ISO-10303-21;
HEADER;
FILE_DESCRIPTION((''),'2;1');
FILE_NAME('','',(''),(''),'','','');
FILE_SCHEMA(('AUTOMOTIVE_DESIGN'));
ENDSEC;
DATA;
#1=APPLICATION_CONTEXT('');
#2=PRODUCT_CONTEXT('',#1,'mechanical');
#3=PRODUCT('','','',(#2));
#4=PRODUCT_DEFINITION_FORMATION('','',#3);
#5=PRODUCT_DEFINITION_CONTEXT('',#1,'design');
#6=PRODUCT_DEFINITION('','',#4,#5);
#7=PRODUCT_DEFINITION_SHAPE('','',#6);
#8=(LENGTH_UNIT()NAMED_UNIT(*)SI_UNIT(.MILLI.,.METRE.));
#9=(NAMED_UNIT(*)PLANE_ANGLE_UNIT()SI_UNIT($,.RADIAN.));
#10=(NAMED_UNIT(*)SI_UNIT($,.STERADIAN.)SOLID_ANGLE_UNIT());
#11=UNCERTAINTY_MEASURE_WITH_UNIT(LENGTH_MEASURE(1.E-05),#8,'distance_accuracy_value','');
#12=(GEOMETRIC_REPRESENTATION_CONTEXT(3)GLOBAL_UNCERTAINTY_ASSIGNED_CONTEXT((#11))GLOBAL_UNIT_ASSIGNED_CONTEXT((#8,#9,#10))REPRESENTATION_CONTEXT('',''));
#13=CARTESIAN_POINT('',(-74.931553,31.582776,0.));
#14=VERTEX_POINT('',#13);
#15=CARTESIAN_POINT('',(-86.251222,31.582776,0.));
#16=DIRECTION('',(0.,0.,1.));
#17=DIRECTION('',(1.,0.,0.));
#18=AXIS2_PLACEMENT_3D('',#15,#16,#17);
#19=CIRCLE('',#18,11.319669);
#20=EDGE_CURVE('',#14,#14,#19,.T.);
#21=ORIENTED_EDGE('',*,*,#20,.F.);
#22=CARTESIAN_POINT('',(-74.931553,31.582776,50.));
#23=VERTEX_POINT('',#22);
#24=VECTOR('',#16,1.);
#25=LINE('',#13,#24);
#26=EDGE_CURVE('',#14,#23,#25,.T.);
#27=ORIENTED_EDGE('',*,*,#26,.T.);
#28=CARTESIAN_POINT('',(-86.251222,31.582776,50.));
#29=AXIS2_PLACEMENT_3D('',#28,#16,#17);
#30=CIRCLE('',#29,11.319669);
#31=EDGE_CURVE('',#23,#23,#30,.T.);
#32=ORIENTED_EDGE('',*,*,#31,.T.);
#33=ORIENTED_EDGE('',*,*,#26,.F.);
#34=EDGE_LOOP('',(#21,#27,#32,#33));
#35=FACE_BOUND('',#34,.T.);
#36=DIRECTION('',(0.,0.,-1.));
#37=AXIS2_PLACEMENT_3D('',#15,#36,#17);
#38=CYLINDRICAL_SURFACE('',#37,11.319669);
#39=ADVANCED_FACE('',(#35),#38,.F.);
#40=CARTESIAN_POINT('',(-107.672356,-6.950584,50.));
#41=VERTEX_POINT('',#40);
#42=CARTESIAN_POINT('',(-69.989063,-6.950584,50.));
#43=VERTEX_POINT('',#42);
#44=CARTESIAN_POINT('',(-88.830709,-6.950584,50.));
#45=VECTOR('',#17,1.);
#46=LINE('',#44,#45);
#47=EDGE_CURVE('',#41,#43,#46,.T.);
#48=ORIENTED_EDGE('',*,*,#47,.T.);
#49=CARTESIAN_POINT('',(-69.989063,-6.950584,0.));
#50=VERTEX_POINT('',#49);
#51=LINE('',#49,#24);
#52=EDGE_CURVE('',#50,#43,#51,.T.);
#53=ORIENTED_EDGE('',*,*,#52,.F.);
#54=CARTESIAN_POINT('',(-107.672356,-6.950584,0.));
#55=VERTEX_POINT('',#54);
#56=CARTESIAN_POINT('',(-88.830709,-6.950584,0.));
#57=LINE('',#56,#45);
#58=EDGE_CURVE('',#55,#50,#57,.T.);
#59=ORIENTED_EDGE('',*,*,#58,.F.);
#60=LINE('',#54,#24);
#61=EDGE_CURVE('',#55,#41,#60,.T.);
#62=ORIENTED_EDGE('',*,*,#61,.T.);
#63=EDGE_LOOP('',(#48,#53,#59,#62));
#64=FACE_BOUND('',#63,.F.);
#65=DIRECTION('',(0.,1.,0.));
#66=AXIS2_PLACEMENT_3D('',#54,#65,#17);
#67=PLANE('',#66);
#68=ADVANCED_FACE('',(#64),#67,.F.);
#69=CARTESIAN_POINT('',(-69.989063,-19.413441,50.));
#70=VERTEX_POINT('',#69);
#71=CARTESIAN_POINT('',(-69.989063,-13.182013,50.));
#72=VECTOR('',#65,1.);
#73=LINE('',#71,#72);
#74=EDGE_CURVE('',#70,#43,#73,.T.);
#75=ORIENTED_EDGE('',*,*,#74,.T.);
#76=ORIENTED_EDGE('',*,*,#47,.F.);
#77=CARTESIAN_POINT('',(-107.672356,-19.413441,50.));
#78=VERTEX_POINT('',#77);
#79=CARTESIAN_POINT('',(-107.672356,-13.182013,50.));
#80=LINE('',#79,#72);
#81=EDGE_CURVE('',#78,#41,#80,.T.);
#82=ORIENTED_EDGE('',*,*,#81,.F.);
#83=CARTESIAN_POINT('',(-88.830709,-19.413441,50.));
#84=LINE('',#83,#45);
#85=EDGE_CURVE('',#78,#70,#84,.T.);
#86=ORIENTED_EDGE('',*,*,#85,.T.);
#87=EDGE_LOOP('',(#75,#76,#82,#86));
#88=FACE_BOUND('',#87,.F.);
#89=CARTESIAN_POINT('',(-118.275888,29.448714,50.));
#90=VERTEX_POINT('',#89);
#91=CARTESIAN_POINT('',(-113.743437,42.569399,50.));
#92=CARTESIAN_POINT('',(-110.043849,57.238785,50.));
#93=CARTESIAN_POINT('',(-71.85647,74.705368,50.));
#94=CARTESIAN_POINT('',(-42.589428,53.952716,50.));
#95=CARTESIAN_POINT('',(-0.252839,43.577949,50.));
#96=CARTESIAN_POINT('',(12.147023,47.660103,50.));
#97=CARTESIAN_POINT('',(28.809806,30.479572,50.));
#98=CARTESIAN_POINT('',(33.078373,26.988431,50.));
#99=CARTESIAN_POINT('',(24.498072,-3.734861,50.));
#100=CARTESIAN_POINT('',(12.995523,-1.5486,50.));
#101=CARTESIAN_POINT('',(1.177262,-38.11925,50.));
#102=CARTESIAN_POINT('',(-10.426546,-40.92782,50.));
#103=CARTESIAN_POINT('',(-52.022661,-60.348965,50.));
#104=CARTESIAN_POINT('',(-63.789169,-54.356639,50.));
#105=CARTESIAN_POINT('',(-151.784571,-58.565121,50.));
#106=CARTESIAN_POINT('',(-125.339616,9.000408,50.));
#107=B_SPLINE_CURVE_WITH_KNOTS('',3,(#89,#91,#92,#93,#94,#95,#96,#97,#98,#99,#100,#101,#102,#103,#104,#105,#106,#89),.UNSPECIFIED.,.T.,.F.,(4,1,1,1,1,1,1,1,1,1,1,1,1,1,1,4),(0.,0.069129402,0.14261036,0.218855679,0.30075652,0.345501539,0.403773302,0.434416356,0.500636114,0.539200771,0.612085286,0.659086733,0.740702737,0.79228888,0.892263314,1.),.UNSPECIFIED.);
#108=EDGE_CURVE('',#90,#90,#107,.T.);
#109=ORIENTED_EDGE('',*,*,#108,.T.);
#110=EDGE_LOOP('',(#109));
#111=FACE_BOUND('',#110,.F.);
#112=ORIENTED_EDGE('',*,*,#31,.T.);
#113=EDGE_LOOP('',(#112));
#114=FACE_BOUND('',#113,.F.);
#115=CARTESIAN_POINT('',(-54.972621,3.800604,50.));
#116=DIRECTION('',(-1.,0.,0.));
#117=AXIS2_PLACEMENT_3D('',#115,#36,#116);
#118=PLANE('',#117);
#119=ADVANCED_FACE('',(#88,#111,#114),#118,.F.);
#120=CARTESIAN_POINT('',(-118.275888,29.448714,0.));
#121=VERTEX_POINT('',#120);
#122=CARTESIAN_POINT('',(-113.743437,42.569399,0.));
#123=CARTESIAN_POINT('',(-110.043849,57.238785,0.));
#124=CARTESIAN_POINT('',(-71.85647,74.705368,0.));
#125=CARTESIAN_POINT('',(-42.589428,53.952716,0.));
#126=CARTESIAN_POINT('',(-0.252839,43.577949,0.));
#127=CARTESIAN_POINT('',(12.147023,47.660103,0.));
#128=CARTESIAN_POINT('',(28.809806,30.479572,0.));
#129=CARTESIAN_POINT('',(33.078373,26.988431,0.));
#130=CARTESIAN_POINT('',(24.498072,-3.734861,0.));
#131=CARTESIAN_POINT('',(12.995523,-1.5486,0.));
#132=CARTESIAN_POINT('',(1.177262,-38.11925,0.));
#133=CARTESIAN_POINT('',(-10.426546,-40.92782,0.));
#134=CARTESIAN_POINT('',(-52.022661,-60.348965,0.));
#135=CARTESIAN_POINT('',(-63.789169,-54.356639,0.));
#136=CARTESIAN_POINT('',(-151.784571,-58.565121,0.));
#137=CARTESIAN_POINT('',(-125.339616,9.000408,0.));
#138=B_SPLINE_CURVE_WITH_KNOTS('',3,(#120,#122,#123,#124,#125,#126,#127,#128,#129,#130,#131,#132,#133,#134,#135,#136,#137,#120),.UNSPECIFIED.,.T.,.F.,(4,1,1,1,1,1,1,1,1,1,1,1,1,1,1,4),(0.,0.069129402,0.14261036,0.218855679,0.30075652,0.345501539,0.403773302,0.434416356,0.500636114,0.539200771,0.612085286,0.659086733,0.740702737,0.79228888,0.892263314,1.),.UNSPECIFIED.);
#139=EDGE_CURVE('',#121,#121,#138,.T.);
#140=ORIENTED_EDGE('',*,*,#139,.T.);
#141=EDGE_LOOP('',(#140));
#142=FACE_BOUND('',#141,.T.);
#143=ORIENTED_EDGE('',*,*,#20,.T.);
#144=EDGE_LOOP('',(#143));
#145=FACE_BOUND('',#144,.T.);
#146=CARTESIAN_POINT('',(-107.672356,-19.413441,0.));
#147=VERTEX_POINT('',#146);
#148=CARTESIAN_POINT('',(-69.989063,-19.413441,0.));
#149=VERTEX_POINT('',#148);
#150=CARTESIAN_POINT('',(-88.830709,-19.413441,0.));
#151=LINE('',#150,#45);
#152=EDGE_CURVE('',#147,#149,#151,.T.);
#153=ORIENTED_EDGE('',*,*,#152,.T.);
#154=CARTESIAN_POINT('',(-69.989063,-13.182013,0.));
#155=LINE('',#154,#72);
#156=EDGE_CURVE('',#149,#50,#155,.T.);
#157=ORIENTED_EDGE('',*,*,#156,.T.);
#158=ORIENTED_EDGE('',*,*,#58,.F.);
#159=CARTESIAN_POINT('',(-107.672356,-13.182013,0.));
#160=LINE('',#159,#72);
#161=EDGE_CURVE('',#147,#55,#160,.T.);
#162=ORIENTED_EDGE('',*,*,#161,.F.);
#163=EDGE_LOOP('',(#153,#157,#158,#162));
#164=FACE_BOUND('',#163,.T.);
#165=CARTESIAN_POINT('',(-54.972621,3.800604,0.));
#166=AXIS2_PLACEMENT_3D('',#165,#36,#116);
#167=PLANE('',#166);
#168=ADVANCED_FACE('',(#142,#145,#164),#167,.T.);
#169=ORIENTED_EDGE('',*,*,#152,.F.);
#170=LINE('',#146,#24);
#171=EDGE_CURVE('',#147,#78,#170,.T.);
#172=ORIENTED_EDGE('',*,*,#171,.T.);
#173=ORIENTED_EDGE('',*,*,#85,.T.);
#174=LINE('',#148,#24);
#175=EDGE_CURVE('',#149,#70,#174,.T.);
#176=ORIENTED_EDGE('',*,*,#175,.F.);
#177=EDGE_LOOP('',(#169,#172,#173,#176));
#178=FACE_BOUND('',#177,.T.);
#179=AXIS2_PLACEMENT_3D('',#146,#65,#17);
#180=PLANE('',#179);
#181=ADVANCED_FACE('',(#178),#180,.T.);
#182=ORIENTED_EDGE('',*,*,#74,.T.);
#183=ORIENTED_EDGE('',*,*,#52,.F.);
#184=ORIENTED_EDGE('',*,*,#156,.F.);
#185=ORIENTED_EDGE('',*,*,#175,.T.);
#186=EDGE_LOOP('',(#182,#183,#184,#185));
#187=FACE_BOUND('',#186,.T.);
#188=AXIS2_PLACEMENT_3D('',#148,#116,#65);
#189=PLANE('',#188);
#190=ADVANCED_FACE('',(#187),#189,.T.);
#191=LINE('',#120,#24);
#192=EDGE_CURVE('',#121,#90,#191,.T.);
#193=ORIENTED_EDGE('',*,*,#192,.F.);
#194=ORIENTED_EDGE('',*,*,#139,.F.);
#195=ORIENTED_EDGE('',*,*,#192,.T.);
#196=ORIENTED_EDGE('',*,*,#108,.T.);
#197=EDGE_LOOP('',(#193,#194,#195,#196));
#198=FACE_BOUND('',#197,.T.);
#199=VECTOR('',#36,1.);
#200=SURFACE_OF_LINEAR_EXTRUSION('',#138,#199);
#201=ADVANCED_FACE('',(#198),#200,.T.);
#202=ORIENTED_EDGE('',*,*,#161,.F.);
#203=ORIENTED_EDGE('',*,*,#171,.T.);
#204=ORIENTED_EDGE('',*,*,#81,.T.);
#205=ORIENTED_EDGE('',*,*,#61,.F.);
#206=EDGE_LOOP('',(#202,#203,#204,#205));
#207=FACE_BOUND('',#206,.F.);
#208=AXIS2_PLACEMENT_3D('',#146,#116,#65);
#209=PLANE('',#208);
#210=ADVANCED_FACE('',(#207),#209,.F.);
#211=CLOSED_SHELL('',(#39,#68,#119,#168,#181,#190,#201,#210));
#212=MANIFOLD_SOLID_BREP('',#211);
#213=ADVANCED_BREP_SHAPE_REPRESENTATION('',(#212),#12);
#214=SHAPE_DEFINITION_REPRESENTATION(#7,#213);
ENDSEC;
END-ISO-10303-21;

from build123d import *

# Parameters (mm, degrees)
F0_W     = 37.6832932234
F0_H     = 12.462857645
F0_R     = 11.3196685215
F1_DEPTH = 50


with BuildPart() as f1:
    # F0 (on Top) → F1 (new body)
    with BuildSketch(Plane.XY):
        with BuildLine():
            add(Edge.make_bspline(
                [(-118.2758882642, 29.4487141073), (-113.7434371107, 42.5693994872), (-110.0438488169, 57.2387853218), (-71.8564703042, 74.7053680143), (-42.5894277555, 53.9527163996), (-0.2528389689, 43.57794898), (12.1470227937, 47.6601030266), (28.8098062083, 30.4795715131), (33.0783727124, 26.9884310199), (24.4980719906, -3.7348609051), (12.9955233258, -1.5486003383), (1.1772615964, -38.1192502031), (-10.426545602, -40.9278197264), (-52.0226614876, -60.3489646387), (-63.7891686374, -54.3566390062), (-151.7845708419, -58.5651209293), (-125.3396158704, 9.0004082363), (-118.2758882642, 29.4487141073)],
                knots=[0, 0, 0, 0, 0.0691294021, 0.1426103598, 0.2188556791, 0.3007565199, 0.3455015388, 0.4037733021, 0.4344163561, 0.5006361143, 0.5392007713, 0.6120852862, 0.6590867328, 0.7407027374, 0.7922888797, 0.8922633141, 1, 1, 1, 1], degree=3))
        make_face()
        with Locations((-88.8307094574, -13.1820125971)):
            Rectangle(F0_W, F0_H, mode=Mode.SUBTRACT)
        with Locations((-86.2512215972, 31.5827764571)):
            Circle(F0_R, mode=Mode.SUBTRACT)
    extrude(amount=F1_DEPTH)


solid = f1.part
